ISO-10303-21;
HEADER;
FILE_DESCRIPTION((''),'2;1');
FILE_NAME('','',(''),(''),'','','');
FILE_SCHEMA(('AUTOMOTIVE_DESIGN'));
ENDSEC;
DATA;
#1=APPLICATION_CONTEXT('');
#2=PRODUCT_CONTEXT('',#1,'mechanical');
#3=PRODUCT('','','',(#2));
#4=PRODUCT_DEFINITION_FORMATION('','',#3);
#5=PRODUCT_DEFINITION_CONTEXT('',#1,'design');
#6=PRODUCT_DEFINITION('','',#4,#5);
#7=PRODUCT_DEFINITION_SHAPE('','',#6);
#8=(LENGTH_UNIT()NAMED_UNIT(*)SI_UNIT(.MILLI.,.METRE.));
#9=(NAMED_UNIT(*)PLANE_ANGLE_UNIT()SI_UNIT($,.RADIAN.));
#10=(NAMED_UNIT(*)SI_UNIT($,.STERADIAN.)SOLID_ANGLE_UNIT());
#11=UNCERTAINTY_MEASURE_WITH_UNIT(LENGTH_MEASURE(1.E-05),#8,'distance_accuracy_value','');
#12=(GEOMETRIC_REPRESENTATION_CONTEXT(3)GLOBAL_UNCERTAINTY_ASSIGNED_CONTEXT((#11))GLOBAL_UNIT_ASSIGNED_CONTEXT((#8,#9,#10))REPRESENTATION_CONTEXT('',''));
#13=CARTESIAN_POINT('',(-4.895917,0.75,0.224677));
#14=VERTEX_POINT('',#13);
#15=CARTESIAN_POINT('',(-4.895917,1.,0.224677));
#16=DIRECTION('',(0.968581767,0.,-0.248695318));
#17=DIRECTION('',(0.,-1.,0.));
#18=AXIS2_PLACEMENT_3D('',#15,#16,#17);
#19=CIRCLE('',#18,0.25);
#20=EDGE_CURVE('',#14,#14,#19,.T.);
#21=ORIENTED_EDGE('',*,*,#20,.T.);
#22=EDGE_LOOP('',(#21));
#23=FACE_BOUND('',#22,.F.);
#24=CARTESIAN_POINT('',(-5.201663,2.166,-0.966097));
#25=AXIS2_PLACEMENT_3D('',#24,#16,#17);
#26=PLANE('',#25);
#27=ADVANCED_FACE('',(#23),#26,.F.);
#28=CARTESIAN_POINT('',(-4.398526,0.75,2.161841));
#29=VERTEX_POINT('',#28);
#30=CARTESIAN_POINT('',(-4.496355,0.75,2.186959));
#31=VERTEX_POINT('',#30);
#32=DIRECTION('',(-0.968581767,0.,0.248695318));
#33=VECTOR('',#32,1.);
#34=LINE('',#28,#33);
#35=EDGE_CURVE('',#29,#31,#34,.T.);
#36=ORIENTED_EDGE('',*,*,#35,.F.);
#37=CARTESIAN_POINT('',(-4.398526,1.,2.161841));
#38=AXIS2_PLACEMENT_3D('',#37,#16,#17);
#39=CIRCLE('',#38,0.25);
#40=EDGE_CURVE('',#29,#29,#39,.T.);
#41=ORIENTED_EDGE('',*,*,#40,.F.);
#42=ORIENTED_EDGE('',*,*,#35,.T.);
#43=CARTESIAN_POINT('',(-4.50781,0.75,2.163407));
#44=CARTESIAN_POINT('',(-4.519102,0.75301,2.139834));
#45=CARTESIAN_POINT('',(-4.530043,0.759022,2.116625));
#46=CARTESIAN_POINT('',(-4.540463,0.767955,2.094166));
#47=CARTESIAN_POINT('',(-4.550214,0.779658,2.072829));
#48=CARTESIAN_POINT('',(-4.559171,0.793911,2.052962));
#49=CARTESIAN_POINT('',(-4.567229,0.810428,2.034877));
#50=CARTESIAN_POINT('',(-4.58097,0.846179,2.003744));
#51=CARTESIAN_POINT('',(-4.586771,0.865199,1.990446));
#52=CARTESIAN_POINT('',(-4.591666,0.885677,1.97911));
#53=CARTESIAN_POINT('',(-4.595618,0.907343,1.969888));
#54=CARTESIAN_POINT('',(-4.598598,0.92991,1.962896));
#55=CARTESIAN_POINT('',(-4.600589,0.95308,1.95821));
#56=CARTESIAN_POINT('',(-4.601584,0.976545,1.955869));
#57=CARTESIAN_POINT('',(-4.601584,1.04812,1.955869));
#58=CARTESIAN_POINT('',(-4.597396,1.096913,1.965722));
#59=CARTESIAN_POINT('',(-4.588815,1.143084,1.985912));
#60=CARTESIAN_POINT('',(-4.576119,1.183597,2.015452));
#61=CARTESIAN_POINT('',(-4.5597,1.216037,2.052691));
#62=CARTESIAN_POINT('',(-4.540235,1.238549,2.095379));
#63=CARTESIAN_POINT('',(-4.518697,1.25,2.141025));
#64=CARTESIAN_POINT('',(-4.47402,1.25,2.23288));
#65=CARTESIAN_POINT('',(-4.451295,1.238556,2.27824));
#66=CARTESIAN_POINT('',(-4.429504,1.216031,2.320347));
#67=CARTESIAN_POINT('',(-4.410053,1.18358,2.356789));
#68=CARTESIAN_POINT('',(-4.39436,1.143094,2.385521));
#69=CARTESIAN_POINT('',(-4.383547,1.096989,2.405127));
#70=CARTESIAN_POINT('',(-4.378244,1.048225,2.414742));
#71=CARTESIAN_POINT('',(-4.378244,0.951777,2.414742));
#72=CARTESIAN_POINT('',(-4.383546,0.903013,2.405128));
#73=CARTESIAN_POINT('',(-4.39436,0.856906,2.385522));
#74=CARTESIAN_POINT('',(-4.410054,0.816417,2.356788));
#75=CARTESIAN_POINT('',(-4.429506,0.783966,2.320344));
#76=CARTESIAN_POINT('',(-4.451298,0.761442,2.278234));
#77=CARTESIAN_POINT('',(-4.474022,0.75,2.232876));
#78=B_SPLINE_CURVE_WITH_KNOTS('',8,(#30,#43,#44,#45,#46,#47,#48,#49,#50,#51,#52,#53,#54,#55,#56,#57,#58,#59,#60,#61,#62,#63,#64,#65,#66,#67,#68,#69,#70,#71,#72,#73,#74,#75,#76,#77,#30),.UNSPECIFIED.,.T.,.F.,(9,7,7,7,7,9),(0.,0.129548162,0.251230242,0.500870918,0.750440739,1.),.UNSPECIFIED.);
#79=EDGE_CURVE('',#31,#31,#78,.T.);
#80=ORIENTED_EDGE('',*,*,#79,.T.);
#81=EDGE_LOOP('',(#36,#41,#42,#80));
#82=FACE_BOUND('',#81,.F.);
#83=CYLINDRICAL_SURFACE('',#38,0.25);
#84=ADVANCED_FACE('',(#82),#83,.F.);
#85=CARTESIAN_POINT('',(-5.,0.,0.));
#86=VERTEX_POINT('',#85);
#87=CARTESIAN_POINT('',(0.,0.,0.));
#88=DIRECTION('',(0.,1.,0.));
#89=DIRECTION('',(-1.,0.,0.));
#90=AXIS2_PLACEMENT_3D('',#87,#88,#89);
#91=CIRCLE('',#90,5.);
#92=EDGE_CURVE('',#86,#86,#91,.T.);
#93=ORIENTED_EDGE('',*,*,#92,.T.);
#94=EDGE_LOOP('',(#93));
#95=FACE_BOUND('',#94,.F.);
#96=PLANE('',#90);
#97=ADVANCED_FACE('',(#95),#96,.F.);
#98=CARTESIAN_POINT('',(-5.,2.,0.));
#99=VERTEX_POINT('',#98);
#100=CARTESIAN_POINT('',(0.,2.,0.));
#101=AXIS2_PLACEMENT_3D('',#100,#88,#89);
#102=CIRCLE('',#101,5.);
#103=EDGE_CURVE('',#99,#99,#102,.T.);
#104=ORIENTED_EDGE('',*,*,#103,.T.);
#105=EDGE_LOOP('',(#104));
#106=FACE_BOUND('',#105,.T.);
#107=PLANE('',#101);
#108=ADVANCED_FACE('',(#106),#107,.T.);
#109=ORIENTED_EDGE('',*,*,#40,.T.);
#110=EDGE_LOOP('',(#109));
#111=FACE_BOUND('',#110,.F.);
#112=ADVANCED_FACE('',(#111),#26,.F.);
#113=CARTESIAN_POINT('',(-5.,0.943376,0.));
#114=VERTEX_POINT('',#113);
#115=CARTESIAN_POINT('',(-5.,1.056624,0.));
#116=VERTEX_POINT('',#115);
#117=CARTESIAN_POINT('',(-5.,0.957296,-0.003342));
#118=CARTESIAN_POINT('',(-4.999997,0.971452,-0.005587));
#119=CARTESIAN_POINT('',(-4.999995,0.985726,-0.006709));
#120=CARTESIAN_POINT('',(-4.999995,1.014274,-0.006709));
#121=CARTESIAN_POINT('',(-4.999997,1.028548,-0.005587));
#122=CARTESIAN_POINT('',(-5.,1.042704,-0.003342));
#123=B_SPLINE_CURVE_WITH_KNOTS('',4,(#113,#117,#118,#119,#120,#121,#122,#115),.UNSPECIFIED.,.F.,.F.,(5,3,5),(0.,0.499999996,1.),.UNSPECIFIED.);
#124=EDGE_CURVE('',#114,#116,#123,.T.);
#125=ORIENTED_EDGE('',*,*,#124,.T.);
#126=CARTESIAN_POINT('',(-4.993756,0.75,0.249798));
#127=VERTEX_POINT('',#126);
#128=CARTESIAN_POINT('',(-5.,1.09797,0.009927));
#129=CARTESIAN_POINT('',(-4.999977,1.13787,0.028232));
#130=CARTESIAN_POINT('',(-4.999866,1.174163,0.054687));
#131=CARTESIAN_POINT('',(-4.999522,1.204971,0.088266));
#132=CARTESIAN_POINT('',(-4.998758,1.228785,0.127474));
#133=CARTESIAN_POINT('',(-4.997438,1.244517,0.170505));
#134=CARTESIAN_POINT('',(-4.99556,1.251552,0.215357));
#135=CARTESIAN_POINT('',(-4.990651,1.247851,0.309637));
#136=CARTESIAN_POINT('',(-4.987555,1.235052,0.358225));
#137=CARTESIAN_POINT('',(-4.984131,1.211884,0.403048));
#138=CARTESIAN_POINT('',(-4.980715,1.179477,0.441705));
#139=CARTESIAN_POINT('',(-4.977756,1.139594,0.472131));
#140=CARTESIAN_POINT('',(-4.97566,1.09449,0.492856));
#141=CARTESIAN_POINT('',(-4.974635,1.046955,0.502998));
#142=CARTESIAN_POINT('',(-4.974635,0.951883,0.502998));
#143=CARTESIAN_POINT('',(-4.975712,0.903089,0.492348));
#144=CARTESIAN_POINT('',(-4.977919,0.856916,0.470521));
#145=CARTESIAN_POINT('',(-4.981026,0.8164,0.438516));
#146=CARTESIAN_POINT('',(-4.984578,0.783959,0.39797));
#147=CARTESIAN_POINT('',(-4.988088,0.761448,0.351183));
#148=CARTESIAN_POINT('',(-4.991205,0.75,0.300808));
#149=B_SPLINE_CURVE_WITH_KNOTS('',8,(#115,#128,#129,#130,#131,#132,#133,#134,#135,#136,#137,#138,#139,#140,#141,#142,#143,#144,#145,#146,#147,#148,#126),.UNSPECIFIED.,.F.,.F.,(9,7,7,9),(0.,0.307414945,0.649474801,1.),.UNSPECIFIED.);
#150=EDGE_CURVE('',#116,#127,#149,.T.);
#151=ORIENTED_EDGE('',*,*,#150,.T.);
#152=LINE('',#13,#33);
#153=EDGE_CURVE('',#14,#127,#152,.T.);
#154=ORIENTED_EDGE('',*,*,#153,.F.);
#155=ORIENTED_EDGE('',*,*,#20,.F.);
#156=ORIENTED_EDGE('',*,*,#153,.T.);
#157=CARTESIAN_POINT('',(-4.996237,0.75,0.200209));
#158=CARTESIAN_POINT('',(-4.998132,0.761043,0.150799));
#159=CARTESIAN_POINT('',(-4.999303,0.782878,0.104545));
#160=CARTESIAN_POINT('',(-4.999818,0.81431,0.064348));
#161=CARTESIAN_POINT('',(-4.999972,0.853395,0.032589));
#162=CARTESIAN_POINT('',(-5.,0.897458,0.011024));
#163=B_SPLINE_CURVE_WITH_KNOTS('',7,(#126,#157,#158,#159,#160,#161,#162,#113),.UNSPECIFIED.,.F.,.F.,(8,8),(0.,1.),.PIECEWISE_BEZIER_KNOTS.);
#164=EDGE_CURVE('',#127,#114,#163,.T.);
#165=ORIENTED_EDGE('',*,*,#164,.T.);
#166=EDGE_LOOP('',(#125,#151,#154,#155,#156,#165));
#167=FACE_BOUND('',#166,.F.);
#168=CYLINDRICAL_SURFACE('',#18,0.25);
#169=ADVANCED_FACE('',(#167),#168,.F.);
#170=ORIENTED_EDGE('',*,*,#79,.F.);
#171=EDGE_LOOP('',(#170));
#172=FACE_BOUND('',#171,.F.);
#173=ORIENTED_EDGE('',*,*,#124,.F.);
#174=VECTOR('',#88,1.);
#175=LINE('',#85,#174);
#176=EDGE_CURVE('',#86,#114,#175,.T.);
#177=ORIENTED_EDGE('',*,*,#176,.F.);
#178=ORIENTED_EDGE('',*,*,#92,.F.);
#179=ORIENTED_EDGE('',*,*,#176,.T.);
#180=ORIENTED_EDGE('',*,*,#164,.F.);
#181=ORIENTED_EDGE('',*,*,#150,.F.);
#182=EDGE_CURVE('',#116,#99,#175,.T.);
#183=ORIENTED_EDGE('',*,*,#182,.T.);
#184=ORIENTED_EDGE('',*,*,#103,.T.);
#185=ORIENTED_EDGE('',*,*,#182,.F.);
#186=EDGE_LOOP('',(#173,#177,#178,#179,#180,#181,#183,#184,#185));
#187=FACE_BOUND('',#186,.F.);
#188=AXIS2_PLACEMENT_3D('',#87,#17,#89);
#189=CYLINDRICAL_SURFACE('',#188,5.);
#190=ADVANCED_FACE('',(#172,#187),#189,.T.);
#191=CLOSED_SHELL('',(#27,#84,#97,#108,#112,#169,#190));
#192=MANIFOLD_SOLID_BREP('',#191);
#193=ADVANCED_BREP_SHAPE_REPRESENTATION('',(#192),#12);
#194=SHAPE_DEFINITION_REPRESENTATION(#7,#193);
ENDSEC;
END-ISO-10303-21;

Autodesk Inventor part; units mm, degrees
ref_plane "YZ Plane" through (0, 0, 0) normal (1, 0, 0) x (0, 1, 0)
ref_plane "XZ Plane" through (0, 0, 0) normal (0, 1, 0) x (-1, 0, 0)
ref_plane "XY Plane" through (0, 0, 0) normal (0, 0, 1) x (1, 0, 0)
sketch "スケッチ1" plane through (0, 0, 0) normal (0, 1, 0) x (-1, 0, 0)
  circle A0 centre (0, 0) radius 5
  dimension "d0" = 10
extrude "押し出し1" add sketch "スケッチ1" along normal blind 2
ref_plane "作業平面1" through (-5.2036, 2.166, -0.9656) normal (0.9686, 0, -0.2487) x (0, -1, 0)
sketch "スケッチ2" plane through (-5.2036, 2.166, -0.9656) normal (0.9686, 0, -0.2487) x (0, -1, 0)
  line L0 (0.166, 2.7706) -> (0.166, -7.2294) projected
  line L1 (2.166, 2.7706) -> (2.166, -7.2294) projected
  line L2 (2.166, -7.2294) -> (0.166, -7.2294) projected
  line L3 (2.166, 2.7706) -> (0.166, 2.7706) projected
  circle A0 centre (1.166, -1.2294) radius 0.25
  circle A1 centre (1.166, -3.2294) radius 0.25
  point P0 (2.166, -2.2294)
  dimension "d3" = 2
  dimension "d4" = 1
  dimension "d5" = 4
  dimension "d6" = 1
  dimension "d7" = 0.5
  dimension "d8" = 0.5
extrude "押し出し2" cut sketch "スケッチ2" against normal blind 2 contours A0 | A1
properties part number "mini vibrator"
